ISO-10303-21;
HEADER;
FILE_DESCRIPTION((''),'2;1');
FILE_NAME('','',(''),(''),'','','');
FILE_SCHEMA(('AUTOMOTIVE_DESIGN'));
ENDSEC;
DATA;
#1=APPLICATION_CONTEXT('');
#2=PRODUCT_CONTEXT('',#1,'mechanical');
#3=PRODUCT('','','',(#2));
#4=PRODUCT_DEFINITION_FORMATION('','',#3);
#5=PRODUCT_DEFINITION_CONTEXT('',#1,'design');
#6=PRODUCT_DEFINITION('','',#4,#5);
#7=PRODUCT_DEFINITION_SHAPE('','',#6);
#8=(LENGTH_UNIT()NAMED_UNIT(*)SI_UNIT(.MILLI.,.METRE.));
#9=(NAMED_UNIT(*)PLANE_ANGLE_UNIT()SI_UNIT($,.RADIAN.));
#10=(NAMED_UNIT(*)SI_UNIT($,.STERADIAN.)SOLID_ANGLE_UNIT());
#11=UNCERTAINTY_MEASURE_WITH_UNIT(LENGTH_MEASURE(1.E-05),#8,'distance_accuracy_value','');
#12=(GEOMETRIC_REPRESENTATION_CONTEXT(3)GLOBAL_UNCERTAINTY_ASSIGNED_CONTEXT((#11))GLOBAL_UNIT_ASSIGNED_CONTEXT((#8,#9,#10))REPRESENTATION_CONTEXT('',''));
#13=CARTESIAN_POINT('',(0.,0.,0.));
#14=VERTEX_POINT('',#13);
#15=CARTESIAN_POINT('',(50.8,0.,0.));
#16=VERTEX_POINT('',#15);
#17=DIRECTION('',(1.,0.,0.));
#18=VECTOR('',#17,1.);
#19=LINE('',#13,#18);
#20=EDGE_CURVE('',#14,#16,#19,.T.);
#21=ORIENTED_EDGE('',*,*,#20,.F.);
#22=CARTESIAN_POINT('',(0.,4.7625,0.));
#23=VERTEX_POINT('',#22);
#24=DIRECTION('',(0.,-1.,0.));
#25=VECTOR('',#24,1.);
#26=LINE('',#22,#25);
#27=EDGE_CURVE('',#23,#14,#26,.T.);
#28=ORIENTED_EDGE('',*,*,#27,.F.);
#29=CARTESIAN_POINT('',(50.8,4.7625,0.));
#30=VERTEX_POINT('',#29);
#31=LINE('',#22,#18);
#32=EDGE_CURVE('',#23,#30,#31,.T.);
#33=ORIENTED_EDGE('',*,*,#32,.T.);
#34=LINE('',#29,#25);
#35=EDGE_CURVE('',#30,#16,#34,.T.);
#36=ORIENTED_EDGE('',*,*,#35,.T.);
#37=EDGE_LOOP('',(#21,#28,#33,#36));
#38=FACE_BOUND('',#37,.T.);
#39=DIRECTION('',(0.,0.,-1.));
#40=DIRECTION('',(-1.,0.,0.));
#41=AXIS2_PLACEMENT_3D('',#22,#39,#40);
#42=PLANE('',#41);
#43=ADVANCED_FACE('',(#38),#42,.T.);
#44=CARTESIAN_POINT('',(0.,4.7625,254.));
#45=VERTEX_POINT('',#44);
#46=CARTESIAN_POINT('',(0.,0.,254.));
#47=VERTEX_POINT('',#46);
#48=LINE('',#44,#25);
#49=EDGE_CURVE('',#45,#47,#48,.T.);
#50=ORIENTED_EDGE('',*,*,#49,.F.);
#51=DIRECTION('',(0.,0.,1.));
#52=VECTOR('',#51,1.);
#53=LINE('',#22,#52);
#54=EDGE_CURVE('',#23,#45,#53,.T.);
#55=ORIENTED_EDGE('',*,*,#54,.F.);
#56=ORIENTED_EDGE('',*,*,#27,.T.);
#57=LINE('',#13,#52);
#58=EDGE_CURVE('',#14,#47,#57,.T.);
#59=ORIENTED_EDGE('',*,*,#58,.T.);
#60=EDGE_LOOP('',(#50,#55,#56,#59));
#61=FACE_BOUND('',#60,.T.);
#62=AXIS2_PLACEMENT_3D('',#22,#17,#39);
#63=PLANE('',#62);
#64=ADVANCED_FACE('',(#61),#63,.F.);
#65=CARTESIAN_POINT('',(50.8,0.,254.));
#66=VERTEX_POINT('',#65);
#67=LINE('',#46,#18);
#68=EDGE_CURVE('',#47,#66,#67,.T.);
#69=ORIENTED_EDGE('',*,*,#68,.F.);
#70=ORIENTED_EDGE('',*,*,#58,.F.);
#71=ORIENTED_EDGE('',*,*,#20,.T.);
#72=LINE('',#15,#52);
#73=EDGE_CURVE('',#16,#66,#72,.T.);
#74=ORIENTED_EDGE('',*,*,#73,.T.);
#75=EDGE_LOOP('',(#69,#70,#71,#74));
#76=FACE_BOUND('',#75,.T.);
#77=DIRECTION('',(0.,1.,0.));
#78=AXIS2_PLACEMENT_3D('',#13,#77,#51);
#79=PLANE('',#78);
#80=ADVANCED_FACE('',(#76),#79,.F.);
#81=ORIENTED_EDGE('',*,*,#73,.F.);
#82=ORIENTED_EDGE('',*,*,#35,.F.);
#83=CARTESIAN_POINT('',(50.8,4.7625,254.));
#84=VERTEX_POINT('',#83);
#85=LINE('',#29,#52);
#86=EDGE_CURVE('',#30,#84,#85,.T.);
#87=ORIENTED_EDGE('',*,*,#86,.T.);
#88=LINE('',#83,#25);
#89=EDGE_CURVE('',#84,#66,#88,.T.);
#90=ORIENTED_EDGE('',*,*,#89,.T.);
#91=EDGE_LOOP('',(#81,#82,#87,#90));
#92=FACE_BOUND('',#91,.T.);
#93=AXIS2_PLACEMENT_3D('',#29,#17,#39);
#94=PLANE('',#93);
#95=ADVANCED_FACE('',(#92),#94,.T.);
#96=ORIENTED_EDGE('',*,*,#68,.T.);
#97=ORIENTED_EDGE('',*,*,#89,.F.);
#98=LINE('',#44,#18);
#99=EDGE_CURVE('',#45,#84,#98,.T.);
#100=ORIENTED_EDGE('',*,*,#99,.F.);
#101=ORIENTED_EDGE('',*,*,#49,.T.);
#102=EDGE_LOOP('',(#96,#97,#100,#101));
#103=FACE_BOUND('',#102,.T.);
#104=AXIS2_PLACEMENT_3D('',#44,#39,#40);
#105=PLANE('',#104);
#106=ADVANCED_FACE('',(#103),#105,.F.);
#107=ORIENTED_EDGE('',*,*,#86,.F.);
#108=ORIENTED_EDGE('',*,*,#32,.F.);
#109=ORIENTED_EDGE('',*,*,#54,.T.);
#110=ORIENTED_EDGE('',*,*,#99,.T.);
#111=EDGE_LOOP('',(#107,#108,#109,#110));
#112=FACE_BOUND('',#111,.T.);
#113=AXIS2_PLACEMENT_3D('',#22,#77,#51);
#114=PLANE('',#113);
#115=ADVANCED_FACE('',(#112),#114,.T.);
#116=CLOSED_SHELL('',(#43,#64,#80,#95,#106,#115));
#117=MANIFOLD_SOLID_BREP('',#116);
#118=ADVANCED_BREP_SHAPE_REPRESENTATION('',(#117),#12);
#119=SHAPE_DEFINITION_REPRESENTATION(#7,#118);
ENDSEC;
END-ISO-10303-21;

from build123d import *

# Parameters (mm, degrees)
SKETCH1_W           = 50.8
SKETCH1_H           = 254
BOSS_EXTRUDE1_DEPTH = 4.7625


with BuildPart() as part:
    # Sketch1 → Boss-Extrude1 (new body)
    with BuildSketch(Plane(origin=(0, 0, 0), x_dir=(1, 0, 0), z_dir=(0, 1, 0))):
        with Locations((25.4, -127)):
            Rectangle(SKETCH1_W, SKETCH1_H)
    extrude(amount=BOSS_EXTRUDE1_DEPTH)


solid = part.part
